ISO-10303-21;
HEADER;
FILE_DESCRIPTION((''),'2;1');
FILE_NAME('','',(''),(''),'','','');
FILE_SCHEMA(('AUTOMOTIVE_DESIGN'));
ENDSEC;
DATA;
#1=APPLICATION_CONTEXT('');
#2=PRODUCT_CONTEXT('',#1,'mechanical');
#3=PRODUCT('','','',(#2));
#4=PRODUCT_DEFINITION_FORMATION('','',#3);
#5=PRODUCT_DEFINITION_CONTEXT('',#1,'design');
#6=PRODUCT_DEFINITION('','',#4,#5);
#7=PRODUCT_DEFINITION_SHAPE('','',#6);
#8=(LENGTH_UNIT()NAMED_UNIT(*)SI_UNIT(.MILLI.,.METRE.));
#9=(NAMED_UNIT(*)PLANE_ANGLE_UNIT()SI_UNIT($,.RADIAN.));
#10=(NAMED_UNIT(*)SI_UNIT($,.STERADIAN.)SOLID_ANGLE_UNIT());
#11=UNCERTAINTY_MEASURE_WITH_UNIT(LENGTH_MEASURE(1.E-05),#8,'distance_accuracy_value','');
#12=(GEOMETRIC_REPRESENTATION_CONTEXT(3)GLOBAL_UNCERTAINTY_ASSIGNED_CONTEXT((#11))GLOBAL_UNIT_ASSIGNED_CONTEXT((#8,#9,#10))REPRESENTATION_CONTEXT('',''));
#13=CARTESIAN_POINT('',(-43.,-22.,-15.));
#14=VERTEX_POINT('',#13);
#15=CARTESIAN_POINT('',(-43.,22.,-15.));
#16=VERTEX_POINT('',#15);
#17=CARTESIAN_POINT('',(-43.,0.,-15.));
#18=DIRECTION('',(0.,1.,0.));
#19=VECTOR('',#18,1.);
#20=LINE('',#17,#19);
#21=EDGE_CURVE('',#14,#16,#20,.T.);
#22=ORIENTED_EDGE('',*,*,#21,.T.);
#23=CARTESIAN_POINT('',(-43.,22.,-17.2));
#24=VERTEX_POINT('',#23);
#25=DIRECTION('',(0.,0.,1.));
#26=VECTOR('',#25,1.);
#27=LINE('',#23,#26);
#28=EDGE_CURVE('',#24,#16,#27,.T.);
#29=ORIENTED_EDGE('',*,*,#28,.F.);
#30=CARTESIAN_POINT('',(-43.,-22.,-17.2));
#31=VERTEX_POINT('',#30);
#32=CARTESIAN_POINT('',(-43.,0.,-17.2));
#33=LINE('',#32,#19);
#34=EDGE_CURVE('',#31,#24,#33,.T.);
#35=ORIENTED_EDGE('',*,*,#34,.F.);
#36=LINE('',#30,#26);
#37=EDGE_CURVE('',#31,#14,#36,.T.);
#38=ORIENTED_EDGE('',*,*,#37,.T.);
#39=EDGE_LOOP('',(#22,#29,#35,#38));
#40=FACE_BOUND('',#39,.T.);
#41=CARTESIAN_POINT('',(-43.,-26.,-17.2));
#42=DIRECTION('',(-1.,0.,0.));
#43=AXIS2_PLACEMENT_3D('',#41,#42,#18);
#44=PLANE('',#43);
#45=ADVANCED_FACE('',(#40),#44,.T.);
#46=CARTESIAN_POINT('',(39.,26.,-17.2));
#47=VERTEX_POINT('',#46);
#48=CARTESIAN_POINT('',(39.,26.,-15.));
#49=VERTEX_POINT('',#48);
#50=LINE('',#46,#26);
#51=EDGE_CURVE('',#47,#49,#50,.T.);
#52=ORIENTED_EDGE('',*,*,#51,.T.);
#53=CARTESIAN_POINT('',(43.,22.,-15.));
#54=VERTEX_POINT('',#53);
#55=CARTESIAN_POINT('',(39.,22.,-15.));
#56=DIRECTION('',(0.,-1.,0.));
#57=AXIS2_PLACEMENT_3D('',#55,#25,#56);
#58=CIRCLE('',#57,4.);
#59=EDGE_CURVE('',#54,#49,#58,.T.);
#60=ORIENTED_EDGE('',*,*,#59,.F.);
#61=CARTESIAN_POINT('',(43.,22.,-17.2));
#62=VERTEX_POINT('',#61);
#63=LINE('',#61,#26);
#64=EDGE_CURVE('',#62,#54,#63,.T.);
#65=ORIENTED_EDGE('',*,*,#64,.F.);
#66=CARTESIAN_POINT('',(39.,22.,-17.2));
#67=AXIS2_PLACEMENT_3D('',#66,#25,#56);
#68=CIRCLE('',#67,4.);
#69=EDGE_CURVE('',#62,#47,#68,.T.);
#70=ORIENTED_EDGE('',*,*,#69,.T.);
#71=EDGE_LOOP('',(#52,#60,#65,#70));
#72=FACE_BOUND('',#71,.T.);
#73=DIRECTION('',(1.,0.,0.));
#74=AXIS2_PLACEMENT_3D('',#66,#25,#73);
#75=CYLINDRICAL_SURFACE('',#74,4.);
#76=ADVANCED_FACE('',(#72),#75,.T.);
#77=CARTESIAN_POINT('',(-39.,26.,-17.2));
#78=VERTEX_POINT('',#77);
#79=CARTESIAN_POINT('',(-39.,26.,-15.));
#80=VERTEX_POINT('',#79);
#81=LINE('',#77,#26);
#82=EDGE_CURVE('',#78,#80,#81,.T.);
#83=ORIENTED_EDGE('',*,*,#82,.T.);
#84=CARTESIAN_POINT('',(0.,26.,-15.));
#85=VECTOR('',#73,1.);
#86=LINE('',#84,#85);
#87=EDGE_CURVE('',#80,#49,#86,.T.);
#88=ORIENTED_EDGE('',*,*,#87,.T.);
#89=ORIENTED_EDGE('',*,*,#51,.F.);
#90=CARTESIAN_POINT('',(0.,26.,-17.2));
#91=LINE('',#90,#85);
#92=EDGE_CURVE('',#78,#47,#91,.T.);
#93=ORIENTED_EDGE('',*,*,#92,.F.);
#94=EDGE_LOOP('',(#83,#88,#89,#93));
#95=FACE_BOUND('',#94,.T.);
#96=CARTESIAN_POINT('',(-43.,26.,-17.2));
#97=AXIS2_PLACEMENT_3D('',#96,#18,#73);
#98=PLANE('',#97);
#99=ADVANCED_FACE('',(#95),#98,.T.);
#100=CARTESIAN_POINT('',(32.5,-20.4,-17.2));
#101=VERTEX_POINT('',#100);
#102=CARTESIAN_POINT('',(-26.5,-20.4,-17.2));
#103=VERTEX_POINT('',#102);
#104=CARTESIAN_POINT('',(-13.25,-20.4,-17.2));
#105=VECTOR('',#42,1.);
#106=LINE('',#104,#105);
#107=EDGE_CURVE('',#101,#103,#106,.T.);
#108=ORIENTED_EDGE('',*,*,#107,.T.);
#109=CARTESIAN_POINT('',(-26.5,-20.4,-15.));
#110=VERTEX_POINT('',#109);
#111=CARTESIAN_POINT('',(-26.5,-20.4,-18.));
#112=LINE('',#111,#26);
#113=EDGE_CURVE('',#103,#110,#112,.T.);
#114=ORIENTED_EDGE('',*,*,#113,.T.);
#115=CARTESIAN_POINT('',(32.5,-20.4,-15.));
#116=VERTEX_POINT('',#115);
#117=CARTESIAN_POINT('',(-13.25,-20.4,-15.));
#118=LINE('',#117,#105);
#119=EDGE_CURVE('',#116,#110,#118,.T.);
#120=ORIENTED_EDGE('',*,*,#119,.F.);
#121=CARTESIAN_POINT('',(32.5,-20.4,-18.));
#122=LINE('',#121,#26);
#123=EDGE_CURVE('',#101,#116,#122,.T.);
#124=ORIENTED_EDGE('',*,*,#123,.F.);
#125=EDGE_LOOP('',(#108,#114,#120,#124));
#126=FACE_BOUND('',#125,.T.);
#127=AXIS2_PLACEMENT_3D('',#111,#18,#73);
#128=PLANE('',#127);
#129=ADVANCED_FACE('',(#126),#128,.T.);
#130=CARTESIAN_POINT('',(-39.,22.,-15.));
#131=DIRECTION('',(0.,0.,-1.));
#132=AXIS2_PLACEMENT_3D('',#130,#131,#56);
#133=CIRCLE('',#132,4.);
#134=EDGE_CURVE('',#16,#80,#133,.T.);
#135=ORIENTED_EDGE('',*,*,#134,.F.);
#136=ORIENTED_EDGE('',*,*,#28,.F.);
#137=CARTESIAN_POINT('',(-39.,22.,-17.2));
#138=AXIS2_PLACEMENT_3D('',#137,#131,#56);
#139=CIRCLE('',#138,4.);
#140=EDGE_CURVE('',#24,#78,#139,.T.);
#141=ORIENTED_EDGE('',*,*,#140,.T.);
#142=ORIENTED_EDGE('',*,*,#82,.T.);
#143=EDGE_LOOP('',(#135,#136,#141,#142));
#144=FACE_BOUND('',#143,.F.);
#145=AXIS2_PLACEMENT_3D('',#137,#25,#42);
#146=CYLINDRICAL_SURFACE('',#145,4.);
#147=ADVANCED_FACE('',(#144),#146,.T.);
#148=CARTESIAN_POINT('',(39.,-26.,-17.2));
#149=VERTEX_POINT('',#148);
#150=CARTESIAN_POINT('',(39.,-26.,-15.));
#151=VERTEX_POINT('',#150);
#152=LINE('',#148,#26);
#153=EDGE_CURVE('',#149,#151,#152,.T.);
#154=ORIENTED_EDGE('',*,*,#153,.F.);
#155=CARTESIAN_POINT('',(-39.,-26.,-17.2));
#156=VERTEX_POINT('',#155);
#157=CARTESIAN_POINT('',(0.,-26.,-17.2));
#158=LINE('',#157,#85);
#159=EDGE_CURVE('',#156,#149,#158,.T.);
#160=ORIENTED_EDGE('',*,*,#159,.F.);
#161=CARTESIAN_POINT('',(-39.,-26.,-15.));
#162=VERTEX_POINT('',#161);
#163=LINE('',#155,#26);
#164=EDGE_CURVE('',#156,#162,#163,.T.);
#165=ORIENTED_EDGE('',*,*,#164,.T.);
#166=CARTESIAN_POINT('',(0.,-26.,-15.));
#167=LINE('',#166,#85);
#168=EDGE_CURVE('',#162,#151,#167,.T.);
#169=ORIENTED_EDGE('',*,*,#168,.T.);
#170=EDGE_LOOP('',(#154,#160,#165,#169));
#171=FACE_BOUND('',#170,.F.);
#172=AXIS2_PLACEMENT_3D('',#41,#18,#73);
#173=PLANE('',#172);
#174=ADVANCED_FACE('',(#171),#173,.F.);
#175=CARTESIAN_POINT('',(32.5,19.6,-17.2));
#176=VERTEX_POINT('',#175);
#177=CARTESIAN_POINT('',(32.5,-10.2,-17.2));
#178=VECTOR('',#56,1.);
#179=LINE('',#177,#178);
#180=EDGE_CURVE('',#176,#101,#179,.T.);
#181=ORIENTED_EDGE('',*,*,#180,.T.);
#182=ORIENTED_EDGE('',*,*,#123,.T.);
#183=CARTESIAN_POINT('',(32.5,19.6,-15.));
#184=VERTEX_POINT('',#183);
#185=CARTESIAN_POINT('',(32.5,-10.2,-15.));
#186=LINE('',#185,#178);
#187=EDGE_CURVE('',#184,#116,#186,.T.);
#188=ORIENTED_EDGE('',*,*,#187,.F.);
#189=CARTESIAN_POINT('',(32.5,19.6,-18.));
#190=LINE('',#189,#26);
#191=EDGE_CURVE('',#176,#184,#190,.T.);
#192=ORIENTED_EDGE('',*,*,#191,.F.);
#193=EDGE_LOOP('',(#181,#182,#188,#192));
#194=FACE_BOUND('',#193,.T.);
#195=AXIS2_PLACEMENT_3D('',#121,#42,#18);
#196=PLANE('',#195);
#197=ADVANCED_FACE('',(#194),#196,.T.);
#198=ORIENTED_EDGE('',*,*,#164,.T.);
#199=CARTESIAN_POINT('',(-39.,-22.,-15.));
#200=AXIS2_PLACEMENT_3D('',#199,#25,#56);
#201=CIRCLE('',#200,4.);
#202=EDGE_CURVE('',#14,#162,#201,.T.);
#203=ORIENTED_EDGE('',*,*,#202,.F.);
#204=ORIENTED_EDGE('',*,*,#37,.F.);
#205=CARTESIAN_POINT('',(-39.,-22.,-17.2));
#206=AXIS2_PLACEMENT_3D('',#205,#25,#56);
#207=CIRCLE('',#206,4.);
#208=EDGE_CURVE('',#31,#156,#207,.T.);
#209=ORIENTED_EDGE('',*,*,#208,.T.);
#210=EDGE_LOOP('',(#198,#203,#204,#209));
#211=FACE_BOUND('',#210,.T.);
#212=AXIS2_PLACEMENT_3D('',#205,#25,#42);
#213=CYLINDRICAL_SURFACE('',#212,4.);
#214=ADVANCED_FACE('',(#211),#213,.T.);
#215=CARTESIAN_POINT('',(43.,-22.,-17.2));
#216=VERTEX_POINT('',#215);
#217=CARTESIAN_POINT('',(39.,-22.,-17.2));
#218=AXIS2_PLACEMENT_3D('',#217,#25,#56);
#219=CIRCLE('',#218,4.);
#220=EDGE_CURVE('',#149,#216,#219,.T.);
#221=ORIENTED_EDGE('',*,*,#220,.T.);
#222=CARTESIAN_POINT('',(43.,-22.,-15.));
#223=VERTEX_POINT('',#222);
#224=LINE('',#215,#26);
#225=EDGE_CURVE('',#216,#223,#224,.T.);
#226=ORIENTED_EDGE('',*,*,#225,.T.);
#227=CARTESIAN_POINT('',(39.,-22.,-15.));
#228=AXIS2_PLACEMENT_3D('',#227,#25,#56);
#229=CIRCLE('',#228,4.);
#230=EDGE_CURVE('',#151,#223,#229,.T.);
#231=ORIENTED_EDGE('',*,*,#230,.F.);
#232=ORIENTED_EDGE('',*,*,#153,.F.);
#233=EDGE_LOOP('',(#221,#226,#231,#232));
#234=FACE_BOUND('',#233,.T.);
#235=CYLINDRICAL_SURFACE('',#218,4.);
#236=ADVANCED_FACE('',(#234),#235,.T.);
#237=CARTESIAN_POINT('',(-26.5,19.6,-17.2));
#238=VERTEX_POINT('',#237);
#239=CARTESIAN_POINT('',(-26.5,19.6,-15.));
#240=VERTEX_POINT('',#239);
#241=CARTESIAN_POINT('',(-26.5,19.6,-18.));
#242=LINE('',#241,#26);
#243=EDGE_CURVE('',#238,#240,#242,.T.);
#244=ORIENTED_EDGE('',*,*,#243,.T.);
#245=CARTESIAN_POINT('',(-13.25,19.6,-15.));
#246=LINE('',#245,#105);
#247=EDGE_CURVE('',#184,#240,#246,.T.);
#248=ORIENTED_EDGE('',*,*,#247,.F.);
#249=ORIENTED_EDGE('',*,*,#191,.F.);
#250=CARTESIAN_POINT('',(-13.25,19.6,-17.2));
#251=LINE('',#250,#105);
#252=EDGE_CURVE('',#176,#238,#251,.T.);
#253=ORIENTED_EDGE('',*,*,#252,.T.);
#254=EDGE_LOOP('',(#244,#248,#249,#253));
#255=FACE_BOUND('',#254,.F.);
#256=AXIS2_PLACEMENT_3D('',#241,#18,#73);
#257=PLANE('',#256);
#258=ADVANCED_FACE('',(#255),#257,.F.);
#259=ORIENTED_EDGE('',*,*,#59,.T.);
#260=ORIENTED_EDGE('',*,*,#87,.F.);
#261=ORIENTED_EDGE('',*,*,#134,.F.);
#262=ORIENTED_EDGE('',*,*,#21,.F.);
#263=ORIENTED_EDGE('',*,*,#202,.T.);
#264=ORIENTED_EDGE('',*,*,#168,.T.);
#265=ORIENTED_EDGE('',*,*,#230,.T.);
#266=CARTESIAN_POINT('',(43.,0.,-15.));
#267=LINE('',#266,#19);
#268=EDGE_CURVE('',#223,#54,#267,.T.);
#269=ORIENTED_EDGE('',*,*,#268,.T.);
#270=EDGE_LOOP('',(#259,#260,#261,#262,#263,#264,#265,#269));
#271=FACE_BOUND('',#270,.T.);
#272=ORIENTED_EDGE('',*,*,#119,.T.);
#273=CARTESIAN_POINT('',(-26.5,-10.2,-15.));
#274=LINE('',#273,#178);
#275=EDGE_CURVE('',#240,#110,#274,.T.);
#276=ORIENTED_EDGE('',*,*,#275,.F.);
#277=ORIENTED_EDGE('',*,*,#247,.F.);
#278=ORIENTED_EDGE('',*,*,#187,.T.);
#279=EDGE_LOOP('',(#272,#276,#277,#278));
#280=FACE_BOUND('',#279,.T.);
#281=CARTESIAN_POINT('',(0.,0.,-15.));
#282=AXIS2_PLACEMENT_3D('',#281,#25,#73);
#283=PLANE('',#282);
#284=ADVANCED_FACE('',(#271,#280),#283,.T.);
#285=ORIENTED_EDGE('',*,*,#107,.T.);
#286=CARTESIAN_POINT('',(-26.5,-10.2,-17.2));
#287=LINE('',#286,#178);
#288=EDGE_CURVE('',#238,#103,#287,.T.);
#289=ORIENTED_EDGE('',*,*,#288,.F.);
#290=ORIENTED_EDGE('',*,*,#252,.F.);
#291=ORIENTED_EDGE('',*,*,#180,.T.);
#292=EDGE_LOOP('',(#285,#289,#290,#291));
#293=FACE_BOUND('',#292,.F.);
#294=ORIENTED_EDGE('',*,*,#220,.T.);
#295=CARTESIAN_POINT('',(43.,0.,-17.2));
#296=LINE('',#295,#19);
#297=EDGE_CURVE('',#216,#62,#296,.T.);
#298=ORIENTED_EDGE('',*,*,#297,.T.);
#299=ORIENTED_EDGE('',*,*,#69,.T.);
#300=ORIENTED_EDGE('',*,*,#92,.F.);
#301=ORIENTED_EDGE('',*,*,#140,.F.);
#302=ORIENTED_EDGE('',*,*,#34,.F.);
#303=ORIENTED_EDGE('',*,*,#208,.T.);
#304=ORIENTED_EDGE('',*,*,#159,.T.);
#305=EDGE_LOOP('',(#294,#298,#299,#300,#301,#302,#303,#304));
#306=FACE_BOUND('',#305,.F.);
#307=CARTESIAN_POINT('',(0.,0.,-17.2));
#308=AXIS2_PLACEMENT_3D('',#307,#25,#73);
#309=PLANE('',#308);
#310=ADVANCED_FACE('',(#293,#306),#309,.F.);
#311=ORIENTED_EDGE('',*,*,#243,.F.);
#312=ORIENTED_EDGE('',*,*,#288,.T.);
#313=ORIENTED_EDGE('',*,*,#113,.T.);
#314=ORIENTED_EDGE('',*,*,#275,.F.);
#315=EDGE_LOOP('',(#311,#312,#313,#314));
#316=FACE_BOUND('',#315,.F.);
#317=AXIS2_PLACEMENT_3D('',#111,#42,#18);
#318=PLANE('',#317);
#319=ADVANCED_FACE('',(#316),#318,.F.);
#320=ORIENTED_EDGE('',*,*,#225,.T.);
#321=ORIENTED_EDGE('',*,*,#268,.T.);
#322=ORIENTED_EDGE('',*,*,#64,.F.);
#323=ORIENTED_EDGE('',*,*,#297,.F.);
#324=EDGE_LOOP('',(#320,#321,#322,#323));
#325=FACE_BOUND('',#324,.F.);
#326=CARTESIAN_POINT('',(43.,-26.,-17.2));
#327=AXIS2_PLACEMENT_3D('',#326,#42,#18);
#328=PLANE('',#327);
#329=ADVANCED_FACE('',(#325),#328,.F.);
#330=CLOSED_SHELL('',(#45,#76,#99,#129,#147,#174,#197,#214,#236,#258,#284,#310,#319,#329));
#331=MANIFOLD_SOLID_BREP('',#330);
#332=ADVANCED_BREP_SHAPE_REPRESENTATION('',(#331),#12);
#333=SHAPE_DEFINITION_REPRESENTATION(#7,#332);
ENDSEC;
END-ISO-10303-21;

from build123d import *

# Parameters (mm, degrees)
BOX024_W     = 59
BOX024_H     = 40
BOX024_DEPTH = 4
BOX002_W     = 86
BOX002_H     = 52
BOX002_DEPTH = 2.2
FILLET_R     = 4


with BuildPart() as display_cut:
    # Box024 → Box024 (new body)
    with BuildSketch(Plane(origin=(-26.5, -20.4, -18), x_dir=(1, 0, 0), z_dir=(0, 0, 1))):
        with Locations((29.5, 20)):
            Rectangle(BOX024_W, BOX024_H)
    extrude(amount=BOX024_DEPTH)


with BuildPart() as main_lid:
    # Box002 → Box002 (new body)
    with BuildSketch(Plane(origin=(-43, -26, -17.2), x_dir=(1, 0, 0), z_dir=(0, 0, 1))):
        with Locations((43, 26)):
            Rectangle(BOX002_W, BOX002_H)
    extrude(amount=BOX002_DEPTH)

    # Fillet
    fillet_edges = [main_lid.edges().sort_by_distance(p)[0] for p in [
        (-43, -26, -16.1),
        (-43, 26, -16.1),
        (43, -26, -16.1),
        (43, 26, -16.1),
    ]]
    fillet(fillet_edges, radius=FILLET_R)

    # Cut004: cut Display Cut
    add(display_cut.part, mode=Mode.SUBTRACT)


solid = main_lid.part
